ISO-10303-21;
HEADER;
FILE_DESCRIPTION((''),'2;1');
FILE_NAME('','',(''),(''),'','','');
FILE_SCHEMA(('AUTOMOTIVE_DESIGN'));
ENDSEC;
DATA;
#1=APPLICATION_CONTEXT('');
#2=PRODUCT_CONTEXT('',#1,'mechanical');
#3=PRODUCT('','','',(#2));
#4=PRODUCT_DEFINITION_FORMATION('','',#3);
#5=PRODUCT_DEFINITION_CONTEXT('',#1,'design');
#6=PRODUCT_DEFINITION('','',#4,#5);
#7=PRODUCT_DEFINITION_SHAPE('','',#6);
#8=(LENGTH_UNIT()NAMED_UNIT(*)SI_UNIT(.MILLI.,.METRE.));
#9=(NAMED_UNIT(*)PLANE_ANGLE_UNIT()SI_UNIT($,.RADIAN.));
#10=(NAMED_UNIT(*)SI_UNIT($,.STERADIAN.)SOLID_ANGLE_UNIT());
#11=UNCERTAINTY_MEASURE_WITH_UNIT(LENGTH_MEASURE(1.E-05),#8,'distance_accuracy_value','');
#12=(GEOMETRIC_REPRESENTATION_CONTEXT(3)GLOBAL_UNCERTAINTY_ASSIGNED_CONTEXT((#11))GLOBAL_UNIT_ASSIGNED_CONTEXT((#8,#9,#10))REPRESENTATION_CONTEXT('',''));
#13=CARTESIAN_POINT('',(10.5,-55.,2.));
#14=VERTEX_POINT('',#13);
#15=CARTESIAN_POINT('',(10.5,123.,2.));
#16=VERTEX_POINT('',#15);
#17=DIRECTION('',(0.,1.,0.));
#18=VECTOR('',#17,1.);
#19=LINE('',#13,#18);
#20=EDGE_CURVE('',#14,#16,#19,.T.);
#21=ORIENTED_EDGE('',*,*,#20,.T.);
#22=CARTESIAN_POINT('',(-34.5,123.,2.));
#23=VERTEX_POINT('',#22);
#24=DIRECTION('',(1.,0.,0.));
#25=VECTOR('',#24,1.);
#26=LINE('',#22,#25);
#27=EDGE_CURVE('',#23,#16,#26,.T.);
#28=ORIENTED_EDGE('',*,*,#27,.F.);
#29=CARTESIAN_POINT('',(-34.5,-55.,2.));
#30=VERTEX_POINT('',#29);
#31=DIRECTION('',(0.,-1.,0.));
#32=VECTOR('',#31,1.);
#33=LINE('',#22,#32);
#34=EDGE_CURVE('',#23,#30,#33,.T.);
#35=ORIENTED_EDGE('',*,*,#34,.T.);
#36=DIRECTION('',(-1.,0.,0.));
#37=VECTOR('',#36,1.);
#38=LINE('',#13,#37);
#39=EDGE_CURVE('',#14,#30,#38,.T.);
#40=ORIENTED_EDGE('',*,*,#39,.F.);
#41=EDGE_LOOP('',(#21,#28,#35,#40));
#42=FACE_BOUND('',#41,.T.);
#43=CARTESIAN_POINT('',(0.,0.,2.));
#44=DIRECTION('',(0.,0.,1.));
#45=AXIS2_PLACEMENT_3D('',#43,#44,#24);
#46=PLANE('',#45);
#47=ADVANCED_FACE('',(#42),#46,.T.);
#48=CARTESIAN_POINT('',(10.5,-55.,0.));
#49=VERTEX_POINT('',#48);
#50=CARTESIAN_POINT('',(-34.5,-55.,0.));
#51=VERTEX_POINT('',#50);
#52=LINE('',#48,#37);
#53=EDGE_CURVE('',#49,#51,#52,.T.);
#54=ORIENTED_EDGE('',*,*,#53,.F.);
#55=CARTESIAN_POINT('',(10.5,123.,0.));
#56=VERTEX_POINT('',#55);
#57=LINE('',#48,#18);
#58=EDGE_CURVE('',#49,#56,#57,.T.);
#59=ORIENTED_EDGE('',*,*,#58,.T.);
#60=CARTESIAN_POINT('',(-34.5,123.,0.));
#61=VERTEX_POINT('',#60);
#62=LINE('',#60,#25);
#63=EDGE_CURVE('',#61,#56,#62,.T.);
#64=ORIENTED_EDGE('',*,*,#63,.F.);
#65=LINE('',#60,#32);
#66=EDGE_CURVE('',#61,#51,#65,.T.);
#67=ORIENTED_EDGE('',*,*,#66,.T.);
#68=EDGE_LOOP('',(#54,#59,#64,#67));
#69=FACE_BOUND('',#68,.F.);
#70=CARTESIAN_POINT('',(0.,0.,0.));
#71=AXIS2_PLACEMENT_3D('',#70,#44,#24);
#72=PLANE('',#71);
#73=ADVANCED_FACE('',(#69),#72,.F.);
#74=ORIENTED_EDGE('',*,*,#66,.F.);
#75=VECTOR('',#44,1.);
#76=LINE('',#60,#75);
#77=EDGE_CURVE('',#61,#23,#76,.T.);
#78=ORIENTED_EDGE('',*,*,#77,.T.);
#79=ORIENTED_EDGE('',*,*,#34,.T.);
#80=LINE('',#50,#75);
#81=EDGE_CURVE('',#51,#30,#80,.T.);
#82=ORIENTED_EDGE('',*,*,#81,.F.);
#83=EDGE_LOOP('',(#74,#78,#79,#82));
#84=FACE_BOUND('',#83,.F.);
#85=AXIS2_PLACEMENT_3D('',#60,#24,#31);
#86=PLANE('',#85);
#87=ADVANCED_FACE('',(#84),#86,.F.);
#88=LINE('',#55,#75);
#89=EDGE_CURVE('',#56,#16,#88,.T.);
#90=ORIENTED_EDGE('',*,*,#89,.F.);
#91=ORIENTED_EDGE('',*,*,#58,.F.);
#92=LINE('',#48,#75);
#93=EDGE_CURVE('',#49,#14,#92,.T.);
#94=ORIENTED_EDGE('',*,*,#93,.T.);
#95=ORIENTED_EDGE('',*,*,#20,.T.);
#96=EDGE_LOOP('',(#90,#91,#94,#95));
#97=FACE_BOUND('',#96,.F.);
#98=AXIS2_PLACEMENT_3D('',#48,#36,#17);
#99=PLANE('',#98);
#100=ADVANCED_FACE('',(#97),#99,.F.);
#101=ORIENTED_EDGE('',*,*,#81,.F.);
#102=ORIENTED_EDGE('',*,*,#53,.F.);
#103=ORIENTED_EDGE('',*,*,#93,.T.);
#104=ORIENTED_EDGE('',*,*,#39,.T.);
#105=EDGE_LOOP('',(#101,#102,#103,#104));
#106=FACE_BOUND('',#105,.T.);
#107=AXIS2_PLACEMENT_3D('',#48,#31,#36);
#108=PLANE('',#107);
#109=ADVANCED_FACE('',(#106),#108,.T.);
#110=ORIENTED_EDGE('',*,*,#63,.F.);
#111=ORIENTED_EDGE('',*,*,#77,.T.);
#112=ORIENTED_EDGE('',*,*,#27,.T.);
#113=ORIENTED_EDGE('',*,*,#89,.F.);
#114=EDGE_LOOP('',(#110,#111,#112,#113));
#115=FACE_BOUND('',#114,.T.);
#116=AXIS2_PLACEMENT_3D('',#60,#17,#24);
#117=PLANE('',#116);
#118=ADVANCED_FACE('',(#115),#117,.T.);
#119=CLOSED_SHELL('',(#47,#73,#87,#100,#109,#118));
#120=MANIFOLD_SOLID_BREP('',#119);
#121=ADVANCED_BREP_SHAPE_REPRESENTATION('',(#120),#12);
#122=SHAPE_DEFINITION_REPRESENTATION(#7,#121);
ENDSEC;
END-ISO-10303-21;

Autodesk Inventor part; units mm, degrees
ref_plane "YZ Plane" through (0, 0, 0) normal (1, 0, 0) x (0, 1, 0)
ref_plane "XZ Plane" through (0, 0, 0) normal (0, 1, 0) x (-1, 0, 0)
ref_plane "XY Plane" through (0, 0, 0) normal (0, 0, 1) x (1, 0, 0)
ref_plane "Work Plane1" through (0, 0, 0) normal (0, 0, 1) x (1, 0, 0)
sketch "Sketch1" plane through (0, 0, 0) normal (0, 0, 1) x (1, 0, 0)
  line L0 (0, 0) -> (0, 68)
  line L1 (0, 68) -> (-3.5, 68)
  line L2 (-3.5, 0) -> (-3.5, 68)
  line L3 (0, 0) -> (-3.5, 0)
  line L4 (-3.5, 7) -> (-3.5, 0)
  line L5 (-3.5, 7) -> (-33.5, 7)
  line L6 (-33.5, 7) -> (-33.5, 0)
  line L7 (-6.5, 0) -> (-33.5, 0)
  line L8 (-3.5, 0) -> (-6.5, 0)
  line L9 (-33.5, 19) -> (-33.5, 24)
  line L10 (-33.5, 19) -> (-3.5, 19)
  line L11 (-3.5, 19) -> (-3.5, 24)
  line L12 (-3.5, 24) -> (-33.5, 24)
  line L13 (-33.5, 49) -> (-33.5, 44)
  line L14 (-3.5, 44) -> (-33.5, 44)
  line L15 (-3.5, 49) -> (-3.5, 44)
  line L16 (-33.5, 49) -> (-3.5, 49)
  line L17 (-3.5, 61) -> (-3.5, 68)
  line L18 (-3.5, 68) -> (-6.5, 68)
  line L19 (-6.5, 68) -> (-33.5, 68)
  line L20 (-33.5, 61) -> (-33.5, 68)
  line L21 (-3.5, 61) -> (-33.5, 61)
  line L22 (-34.5, 123) -> (10.5, 123)
  line L23 (10.5, -55) -> (-34.5, -55)
  line L24 (10.5, -55) -> (10.5, 123)
  line L25 (-34.5, 123) -> (-34.5, -55)
extrude "Extrusion1" add sketch "Sketch1" along normal blind 2 contours L3 L2 L1 L0 | L8 L7 L6 L5 L2 | L2 L21 L20 L19 L18 | L10 L9 L12 L2 | L2 L14 L13 L16 | L22 L24 L23 L25
properties part number "back" material "Nylon 6/6"
